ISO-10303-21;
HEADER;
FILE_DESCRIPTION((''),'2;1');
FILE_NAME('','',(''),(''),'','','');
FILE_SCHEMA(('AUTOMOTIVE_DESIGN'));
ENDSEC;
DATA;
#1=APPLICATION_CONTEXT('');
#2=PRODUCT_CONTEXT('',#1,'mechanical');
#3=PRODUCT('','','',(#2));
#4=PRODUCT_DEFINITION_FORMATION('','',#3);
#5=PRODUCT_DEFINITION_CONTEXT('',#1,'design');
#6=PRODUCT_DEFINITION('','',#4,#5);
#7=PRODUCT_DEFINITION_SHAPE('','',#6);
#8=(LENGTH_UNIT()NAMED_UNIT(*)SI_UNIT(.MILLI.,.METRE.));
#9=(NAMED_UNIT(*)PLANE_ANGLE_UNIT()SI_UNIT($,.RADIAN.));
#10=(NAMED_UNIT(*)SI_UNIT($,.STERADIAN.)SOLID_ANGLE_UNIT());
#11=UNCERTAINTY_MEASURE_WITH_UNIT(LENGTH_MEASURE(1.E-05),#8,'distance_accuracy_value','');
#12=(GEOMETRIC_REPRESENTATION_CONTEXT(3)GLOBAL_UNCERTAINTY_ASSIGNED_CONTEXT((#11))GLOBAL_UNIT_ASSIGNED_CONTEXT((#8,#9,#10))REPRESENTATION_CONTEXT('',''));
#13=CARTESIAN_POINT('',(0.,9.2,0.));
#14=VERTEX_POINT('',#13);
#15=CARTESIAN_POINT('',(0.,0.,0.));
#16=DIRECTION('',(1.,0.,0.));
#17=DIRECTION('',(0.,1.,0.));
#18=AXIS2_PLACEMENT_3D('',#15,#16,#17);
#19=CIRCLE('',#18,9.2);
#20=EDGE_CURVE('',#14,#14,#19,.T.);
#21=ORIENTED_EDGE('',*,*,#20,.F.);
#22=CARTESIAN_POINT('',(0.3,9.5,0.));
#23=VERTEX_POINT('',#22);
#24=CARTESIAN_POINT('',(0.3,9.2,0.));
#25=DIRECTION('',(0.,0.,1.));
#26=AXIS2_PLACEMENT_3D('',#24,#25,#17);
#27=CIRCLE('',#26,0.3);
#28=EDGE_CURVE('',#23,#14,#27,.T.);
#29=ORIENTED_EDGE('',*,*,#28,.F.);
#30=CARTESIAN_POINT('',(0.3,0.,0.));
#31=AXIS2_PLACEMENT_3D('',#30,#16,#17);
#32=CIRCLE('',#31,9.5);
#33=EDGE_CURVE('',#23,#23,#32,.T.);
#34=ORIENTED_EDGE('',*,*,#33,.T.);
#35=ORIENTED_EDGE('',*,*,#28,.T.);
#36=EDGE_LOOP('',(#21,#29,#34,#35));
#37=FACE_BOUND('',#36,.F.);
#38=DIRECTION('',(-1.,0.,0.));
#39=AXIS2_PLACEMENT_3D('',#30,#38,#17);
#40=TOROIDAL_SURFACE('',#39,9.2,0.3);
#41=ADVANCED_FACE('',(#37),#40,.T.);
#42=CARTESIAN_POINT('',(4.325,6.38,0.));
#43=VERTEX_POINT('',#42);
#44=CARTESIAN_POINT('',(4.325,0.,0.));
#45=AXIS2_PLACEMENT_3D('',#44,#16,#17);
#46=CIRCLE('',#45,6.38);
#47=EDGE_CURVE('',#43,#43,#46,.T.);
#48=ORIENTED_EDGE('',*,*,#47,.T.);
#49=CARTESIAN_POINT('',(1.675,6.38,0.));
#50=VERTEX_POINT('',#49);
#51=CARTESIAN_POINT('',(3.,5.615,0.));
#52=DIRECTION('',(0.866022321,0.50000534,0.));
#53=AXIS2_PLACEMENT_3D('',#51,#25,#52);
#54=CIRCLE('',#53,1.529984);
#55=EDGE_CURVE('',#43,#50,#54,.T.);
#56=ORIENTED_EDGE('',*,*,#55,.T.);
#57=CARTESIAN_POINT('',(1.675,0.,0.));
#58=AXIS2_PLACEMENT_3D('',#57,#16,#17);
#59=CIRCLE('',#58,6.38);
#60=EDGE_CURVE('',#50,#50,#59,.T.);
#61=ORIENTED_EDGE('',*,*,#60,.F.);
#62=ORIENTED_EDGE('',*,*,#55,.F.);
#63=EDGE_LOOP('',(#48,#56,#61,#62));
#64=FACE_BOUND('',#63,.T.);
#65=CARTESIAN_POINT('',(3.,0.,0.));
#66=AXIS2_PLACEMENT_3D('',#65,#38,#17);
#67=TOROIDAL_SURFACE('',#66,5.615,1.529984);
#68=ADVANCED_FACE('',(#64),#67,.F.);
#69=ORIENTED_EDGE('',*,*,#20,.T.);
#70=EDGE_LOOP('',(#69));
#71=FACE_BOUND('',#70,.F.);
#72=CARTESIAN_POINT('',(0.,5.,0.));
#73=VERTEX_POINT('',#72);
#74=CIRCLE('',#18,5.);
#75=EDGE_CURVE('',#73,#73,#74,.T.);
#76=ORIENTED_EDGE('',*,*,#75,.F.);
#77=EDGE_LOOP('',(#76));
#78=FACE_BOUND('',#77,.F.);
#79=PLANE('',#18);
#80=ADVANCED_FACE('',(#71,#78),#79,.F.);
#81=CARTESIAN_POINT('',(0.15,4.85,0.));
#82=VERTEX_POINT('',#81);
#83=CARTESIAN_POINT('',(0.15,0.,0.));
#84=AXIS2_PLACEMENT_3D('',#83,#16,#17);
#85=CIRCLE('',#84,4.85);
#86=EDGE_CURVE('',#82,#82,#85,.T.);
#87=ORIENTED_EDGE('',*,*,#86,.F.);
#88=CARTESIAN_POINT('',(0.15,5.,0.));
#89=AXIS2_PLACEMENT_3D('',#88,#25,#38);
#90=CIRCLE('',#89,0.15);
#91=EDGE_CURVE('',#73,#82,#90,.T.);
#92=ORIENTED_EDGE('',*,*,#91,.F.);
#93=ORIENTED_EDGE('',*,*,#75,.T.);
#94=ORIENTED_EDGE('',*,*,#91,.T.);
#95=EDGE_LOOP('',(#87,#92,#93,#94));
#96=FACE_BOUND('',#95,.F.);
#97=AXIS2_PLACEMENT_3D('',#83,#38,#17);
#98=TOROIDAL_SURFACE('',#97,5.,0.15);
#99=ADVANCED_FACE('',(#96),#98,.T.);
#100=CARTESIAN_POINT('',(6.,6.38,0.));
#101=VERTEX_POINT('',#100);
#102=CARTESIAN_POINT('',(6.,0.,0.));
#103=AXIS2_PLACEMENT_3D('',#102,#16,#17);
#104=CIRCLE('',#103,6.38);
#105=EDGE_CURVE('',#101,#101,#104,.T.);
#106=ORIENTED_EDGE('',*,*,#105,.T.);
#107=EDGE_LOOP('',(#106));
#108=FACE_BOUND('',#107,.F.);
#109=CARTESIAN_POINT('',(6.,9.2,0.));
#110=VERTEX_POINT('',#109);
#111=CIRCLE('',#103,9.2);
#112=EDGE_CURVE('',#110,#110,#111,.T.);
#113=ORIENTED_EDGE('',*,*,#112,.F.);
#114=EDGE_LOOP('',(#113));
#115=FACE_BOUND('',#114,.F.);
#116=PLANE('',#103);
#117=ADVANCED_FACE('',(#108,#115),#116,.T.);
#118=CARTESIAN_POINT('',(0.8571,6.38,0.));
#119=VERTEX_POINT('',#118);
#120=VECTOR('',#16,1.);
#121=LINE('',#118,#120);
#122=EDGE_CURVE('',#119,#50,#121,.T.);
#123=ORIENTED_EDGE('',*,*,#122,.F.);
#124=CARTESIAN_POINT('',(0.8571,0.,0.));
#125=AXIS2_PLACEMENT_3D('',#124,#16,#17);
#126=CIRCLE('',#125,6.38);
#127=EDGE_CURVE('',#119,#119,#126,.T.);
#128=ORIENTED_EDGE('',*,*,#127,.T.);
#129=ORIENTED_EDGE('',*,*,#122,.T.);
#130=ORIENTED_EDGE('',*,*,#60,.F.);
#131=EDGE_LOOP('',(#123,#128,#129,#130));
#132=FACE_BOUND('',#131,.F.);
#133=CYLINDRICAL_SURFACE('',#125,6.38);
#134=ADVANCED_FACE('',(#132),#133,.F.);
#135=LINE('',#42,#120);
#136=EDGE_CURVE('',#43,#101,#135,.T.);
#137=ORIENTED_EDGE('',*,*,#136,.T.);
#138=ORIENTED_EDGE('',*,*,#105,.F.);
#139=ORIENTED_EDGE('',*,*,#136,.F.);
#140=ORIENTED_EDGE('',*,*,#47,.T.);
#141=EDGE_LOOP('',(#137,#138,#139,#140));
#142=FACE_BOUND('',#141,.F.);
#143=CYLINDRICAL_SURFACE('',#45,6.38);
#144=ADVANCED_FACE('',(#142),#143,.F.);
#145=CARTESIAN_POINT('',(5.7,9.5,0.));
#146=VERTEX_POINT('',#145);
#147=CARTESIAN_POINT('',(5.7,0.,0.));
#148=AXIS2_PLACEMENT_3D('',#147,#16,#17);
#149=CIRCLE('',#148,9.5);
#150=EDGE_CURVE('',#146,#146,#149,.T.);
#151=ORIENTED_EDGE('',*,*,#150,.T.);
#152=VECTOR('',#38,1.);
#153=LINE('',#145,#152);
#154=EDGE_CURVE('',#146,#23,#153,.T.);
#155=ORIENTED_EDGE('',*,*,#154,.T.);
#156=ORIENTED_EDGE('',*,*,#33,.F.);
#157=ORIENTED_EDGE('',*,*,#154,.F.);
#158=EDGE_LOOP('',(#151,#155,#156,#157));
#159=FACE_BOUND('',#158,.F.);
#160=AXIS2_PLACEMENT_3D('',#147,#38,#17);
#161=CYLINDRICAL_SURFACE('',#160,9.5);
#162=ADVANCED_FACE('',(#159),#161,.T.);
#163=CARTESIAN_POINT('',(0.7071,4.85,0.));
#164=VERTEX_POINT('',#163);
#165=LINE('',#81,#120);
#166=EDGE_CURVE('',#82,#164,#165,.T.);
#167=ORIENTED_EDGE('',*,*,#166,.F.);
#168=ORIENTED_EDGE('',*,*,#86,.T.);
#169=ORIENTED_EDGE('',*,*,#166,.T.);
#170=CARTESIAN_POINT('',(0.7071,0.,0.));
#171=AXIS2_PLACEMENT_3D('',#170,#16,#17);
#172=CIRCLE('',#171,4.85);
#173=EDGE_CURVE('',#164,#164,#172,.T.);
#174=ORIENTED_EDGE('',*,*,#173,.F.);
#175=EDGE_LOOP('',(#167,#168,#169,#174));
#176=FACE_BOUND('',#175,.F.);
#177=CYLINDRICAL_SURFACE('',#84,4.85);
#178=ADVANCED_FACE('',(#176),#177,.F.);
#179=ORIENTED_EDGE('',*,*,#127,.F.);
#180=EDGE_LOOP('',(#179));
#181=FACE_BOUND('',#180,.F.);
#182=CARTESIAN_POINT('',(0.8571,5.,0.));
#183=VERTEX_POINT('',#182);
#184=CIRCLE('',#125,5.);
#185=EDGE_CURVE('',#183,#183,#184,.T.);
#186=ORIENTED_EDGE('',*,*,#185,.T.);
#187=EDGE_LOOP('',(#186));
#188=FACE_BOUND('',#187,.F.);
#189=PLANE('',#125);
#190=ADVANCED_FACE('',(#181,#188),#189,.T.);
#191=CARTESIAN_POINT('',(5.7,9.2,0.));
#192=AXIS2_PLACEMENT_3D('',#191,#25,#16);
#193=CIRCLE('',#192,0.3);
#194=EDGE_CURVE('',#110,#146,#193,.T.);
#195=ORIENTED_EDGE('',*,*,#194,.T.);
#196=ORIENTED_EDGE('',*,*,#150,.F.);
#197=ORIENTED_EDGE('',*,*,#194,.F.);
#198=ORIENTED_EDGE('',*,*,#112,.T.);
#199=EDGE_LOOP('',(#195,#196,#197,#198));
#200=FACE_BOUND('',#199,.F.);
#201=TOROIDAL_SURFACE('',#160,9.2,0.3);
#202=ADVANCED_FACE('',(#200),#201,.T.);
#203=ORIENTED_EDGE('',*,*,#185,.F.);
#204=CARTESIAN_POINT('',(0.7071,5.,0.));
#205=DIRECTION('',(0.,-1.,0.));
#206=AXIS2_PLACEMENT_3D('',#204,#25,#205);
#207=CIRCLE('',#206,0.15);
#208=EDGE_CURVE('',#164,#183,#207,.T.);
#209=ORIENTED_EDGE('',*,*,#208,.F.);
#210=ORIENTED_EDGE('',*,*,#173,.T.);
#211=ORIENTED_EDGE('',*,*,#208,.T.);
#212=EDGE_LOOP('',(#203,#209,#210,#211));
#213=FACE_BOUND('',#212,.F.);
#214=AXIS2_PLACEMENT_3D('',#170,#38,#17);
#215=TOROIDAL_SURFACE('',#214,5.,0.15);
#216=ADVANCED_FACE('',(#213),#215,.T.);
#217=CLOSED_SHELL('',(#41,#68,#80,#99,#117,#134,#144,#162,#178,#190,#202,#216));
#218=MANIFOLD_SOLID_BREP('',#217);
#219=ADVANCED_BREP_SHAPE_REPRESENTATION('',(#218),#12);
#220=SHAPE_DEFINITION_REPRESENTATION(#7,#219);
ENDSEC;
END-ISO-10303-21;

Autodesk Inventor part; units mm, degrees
sketch "Sketch_2" plane through (0, 0, 0) normal (0, 0, 1) x (1, 0, 0)
  line L0 (5.7, 0) -> (0.3, 0)
  line L1 (0, 9.2) -> (0, 5)
  arc A0 (0, 5) -> (0.15, 4.85) centre (0.15, 5) ccw
  line L2 (0.15, 4.85) -> (0.7071, 4.85)
  arc A1 (0.7071, 4.85) -> (0.8571, 5) centre (0.7071, 5) ccw
  line L3 (0.8571, 5) -> (0.8571, 6.38)
  line L4 (0.8571, 6.38) -> (1.675, 6.38)
  arc A2 (4.325, 6.38) -> (1.675, 6.38) centre (3, 5.615) ccw
  line L5 (4.325, 6.38) -> (6, 6.38)
  line L6 (6, 6.38) -> (6, 9.2)
  arc A3 (6, 9.2) -> (5.7, 9.5) centre (5.7, 9.2) ccw
  line L7 (5.7, 9.5) -> (0.3, 9.5)
  arc A4 (0.3, 9.5) -> (0, 9.2) centre (0.3, 9.2) ccw
revolve "Revolution1" add sketch "Sketch_2" angle 360 about axis through (5.7, 0, 0) along (1, 0, 0)
ref_plane "OR_Cage_XY" through (0, 0, 0) normal (1, 0, 0) x (0, 0, -1)
ref_plane "OR_Cage_YZ" through (0, 0, 0) normal (0, 0, -1) x (0, 1, 0)
ref_plane "OR_Cage_ZX" through (0, 0, 0) normal (0, 1, 0) x (1, 0, 0)
ref_plane "OR_IR_XY" through (0, 0, 0) normal (1, 0, 0) x (0, 0, -1)
ref_plane "OR_IR_YZ" through (0, 0, 0) normal (0, 0, -1) x (0, 1, 0)
ref_plane "OR_IR_ZX" through (0, 0, 0) normal (0, 1, 0) x (1, 0, 0)
ref_plane "OR_ball_1_XY" through (3, 5.615, 0) normal (1, 0, 0) x (0, 0, -1)
ref_plane "OR_ball_1_YZ" through (3, 5.615, 0) normal (0, 0, -1) x (0, 1, 0)
ref_plane "OR_ball_1_ZX" through (3, 5.615, 0) normal (0, 1, 0) x (1, 0, 0)
ref_plane "OR_ball_2_XY" through (3, 1.7351, 5.3402) normal (1, 0, 0) x (0, 0, -1)
ref_plane "OR_ball_2_YZ" through (3, 1.7351, 5.3402) normal (0, 0, -1) x (0, 1, 0)
ref_plane "OR_ball_2_ZX" through (3, 1.7351, 5.3402) normal (0, 1, 0) x (1, 0, 0)
ref_plane "OR_ball_3_XY" through (3, -4.5426, 3.3004) normal (1, 0, 0) x (0, 0, -1)
ref_plane "OR_ball_3_YZ" through (3, -4.5426, 3.3004) normal (0, 0, -1) x (0, 1, 0)
ref_plane "OR_ball_3_ZX" through (3, -4.5426, 3.3004) normal (0, 1, 0) x (1, 0, 0)
ref_plane "OR_ball_4_XY" through (3, -4.5426, -3.3004) normal (1, 0, 0) x (0, 0, -1)
ref_plane "OR_ball_4_YZ" through (3, -4.5426, -3.3004) normal (0, 0, -1) x (0, 1, 0)
ref_plane "OR_ball_4_ZX" through (3, -4.5426, -3.3004) normal (0, 1, 0) x (1, 0, 0)
ref_plane "OR_ball_5_XY" through (3, 1.7351, -5.3402) normal (1, 0, 0) x (0, 0, -1)
ref_plane "OR_ball_5_YZ" through (3, 1.7351, -5.3402) normal (0, 0, -1) x (0, 1, 0)
ref_plane "OR_ball_5_ZX" through (3, 1.7351, -5.3402) normal (0, 1, 0) x (1, 0, 0)
properties part number "040205DR-19-H6_or" material "アセタール樹脂、白"
